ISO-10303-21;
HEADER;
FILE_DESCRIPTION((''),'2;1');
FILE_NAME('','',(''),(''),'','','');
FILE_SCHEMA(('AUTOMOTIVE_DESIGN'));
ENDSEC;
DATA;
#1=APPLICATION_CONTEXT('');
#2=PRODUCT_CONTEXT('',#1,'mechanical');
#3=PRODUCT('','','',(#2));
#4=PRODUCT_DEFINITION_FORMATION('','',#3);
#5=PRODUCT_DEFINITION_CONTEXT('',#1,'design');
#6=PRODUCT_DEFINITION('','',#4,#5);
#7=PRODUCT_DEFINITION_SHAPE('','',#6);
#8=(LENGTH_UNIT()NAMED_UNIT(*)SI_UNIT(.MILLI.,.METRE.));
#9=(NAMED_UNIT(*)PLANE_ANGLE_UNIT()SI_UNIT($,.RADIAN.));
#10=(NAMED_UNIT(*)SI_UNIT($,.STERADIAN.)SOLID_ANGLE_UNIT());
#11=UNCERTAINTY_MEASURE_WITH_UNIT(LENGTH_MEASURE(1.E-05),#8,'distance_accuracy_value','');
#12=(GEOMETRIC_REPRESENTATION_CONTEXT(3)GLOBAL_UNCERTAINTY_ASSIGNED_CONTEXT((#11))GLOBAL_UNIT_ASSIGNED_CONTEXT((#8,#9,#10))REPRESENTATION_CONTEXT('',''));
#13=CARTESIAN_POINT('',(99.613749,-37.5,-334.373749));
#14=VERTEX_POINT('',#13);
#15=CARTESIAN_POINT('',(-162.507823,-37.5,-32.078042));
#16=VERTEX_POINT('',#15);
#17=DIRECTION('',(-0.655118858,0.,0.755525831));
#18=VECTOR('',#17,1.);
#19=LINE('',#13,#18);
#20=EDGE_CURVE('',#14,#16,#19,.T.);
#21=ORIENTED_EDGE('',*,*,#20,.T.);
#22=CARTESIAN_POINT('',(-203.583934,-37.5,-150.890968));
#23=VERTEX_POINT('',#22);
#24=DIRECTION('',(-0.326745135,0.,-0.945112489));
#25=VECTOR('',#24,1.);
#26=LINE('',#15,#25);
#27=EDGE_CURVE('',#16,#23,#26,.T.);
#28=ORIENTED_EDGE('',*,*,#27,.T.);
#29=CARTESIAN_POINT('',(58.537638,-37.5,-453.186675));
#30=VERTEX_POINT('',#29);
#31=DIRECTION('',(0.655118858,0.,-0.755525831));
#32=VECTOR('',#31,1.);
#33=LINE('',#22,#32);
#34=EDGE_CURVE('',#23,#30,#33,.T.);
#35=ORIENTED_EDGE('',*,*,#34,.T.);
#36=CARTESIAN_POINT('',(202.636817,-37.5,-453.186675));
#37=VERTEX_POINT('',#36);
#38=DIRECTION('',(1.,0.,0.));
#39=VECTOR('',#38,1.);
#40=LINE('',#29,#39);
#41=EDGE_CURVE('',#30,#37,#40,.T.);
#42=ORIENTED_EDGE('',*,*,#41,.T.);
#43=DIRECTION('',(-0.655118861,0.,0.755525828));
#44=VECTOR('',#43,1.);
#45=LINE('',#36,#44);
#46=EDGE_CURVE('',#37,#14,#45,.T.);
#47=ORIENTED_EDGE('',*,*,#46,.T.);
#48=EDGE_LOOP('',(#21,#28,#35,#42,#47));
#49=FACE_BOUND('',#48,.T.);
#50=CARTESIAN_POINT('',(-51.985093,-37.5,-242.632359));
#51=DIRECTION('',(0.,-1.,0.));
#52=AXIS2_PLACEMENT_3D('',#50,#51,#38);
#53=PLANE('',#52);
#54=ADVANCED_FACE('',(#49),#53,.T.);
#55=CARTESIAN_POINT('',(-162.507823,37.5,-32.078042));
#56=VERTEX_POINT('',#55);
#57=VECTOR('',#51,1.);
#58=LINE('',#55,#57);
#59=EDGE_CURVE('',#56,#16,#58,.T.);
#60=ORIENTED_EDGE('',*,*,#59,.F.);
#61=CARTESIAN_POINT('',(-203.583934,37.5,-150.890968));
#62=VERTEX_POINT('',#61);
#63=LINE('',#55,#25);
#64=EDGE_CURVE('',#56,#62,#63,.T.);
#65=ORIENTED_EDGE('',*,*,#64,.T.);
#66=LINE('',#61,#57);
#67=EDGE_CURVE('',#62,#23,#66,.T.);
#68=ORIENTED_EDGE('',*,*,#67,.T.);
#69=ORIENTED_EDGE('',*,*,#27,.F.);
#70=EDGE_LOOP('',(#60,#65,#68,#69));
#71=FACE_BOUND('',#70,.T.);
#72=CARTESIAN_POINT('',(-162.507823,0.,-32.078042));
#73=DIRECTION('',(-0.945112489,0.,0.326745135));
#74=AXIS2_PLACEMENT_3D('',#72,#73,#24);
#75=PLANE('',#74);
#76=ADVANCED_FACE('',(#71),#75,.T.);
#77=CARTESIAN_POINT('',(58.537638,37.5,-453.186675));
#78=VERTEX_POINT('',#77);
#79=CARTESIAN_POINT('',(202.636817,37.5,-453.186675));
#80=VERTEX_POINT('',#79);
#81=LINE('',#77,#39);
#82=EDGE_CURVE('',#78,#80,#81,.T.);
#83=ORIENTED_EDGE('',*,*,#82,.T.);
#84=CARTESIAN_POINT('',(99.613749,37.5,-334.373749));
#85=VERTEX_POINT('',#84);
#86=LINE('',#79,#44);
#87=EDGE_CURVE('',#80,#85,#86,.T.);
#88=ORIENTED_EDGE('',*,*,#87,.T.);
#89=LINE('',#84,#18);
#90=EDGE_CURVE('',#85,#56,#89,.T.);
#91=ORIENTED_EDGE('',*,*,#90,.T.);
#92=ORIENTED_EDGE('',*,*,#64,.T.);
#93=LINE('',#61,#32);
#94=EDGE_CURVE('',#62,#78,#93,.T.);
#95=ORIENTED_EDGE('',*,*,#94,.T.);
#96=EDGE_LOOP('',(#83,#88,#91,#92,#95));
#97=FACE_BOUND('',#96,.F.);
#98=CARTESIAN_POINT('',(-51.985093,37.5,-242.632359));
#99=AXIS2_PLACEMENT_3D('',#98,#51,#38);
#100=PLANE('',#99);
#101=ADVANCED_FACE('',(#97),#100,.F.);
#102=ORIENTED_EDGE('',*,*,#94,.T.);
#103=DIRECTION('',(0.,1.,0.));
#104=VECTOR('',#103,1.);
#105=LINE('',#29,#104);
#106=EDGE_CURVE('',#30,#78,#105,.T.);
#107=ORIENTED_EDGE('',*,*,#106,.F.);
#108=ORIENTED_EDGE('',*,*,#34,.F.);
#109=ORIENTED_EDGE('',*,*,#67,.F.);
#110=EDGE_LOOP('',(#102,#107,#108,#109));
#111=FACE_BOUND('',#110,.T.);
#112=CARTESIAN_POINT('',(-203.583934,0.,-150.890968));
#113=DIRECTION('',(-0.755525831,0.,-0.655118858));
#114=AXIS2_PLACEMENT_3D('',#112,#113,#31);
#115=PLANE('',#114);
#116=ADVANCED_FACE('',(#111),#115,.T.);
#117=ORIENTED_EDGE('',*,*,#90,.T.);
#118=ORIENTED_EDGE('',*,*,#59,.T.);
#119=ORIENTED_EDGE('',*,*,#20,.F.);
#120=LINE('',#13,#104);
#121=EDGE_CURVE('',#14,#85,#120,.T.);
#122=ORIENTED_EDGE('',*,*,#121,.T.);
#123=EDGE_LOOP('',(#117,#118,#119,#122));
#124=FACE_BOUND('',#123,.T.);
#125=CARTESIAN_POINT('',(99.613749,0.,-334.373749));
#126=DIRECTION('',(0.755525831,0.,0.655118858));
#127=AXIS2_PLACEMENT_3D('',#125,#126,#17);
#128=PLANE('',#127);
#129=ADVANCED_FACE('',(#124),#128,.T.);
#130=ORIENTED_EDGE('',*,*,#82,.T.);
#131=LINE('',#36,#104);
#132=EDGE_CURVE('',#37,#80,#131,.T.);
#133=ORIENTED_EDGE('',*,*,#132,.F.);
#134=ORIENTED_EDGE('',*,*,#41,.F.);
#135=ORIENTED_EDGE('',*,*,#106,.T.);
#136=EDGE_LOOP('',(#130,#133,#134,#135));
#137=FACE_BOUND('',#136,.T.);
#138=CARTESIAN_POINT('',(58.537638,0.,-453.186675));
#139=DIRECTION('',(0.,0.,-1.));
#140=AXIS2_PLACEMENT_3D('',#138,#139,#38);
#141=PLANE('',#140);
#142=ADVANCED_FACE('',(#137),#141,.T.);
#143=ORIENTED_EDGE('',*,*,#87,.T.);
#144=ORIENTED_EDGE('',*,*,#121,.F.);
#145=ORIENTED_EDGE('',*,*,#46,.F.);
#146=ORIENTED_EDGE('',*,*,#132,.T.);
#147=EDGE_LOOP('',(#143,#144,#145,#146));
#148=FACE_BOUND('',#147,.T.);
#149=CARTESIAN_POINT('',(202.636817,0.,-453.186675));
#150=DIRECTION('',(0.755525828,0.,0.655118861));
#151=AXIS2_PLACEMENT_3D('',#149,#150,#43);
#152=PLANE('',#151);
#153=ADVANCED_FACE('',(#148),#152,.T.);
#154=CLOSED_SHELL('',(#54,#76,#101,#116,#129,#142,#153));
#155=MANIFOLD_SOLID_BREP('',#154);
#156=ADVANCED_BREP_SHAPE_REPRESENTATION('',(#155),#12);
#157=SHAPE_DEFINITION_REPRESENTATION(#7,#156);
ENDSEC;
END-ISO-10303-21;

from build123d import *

# Parameters (mm, degrees)
F1_DEPTH = 37.5


with BuildPart() as f1:
    # F0 (on Front) → F1 (new body, symmetric)
    with BuildSketch(Plane.XZ):
        Polygon((99.613749, -334.373749), (-162.507823, -32.078042), (-203.583934, -150.890968), (58.537638, -453.186675), align=None)
        Polygon((202.636817, -453.186675), (99.613749, -334.373749), (58.537638, -453.186675), align=None)
    extrude(amount=F1_DEPTH, both=True)


solid = f1.part
